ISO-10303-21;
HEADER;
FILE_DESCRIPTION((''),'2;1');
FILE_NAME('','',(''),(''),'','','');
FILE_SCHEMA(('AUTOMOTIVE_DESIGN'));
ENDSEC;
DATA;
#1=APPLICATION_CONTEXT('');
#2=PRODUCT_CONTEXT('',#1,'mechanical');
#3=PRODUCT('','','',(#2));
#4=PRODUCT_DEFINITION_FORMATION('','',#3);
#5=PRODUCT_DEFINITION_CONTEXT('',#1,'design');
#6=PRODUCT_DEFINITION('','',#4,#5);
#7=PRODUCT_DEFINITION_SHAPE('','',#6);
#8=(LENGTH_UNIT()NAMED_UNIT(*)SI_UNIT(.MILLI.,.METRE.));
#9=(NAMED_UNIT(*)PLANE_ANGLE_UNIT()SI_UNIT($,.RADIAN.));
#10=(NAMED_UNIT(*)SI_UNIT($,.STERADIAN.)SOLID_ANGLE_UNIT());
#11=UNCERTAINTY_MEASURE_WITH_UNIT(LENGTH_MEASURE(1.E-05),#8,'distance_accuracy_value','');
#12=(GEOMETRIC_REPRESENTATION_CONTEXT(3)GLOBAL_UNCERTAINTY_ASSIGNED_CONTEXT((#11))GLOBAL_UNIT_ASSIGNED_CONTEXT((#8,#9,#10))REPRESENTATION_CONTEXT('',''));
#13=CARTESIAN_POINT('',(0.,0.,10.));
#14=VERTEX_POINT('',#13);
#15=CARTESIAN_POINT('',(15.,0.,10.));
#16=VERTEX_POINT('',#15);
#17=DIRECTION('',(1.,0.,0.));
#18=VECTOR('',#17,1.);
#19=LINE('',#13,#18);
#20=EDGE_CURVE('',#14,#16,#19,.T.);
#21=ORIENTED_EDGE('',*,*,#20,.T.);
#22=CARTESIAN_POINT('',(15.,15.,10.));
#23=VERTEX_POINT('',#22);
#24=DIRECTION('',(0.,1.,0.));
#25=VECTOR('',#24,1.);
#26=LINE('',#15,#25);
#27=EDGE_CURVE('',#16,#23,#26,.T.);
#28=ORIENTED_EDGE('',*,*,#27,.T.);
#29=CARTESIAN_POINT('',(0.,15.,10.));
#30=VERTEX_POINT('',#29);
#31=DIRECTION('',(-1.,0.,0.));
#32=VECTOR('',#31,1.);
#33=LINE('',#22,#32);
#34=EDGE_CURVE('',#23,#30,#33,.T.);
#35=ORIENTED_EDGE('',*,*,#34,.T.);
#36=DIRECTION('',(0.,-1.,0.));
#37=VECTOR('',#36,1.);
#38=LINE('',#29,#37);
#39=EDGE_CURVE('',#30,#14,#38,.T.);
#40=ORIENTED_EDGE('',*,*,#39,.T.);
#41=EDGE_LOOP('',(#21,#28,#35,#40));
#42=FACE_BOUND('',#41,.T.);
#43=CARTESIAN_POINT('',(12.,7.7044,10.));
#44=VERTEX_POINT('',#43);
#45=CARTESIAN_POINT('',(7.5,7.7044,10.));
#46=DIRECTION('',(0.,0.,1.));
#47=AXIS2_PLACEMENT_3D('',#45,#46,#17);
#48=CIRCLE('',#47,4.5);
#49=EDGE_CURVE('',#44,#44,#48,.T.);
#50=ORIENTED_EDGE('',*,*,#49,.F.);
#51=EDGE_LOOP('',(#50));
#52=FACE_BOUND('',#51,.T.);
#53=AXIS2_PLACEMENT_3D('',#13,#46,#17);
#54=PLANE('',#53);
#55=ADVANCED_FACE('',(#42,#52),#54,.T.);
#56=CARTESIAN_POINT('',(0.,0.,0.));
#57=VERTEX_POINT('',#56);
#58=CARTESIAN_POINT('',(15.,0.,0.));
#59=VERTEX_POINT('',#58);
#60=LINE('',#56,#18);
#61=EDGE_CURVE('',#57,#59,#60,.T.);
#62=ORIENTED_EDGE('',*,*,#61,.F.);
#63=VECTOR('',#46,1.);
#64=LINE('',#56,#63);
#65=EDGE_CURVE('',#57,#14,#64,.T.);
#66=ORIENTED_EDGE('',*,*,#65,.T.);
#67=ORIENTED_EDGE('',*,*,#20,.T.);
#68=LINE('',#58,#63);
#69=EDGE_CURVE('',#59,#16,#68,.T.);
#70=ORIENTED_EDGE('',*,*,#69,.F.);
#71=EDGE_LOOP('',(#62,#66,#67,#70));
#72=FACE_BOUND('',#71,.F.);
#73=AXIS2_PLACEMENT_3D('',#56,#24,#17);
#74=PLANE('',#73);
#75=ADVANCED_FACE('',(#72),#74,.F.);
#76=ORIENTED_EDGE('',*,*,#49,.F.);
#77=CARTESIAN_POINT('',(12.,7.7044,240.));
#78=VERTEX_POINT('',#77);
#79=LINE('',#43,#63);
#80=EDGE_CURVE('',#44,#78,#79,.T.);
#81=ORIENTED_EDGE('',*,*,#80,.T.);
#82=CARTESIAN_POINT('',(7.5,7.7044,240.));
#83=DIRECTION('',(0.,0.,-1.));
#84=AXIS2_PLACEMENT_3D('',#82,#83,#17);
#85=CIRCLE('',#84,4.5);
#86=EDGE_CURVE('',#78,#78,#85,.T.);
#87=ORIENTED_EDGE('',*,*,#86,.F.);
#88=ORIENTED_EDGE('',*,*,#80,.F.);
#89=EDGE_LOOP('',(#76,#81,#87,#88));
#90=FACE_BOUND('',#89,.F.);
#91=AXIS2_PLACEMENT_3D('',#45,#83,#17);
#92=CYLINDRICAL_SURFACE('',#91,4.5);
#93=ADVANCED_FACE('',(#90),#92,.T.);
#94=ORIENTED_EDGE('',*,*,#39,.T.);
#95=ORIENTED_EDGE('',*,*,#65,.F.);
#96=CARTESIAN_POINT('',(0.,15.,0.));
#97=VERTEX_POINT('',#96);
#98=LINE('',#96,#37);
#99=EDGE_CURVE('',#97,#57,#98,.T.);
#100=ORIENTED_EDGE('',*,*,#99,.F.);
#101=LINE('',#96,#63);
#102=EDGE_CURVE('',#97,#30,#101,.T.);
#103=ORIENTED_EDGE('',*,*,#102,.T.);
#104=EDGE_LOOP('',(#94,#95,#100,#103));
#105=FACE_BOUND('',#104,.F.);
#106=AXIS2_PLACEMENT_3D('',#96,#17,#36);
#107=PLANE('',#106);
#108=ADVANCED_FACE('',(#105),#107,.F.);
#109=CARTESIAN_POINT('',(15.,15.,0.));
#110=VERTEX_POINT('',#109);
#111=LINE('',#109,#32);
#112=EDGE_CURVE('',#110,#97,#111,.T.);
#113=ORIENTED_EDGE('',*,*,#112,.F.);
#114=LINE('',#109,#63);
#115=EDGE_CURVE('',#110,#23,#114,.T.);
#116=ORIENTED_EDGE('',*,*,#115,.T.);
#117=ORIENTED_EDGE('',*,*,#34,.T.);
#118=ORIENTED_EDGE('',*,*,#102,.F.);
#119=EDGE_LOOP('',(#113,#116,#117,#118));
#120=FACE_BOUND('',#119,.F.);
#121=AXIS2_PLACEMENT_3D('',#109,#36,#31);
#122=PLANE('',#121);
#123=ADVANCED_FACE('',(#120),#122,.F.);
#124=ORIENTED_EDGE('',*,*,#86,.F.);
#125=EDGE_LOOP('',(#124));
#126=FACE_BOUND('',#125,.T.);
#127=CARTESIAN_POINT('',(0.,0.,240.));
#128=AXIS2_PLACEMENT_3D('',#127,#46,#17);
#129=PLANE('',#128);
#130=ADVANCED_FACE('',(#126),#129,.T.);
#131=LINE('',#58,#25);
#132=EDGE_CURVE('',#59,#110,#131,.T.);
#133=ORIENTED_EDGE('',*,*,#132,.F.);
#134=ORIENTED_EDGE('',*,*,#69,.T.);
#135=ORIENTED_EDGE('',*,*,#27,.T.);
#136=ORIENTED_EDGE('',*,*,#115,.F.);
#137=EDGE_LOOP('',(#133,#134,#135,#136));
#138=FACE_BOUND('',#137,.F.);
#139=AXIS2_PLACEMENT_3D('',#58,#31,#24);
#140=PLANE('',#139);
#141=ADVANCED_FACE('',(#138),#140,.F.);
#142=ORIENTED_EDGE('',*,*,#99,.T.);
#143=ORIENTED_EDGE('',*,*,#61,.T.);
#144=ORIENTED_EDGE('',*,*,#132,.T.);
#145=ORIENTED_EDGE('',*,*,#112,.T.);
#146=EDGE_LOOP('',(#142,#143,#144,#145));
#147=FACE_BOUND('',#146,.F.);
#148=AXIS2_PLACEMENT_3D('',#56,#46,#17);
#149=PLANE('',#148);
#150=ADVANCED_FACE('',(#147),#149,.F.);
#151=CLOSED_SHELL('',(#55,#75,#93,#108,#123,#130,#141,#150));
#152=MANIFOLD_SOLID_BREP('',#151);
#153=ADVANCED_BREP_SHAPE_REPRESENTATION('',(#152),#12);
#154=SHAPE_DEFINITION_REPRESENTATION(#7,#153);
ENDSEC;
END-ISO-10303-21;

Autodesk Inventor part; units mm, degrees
ref_plane "YZ Plane" through (0, 0, 0) normal (1, 0, 0) x (0, 1, 0)
ref_plane "XZ Plane" through (0, 0, 0) normal (0, 1, 0) x (-1, 0, 0)
sketch "Sketch1" plane through (0, 0, 0) normal (0, 0, 1) x (1, 0, 0)
  line L0 (0, 0) -> (15, 0)
  line L1 (15, 0) -> (15, 15)
  line L2 (15, 15) -> (0, 15)
  line L3 (0, 15) -> (0, 0)
  dimension "d0" = 15
  dimension "d1" = 15
extrude "Extrusion1" add sketch "Sketch1" along normal blind 10
sketch "Sketch2" plane through (0, 0, 10) normal (0, 0, 1) x (1, 0, 0)
  line L0 (15, 15) -> (0, 15) projected
  line L1 (0, 15) -> (7.5, 15)
  line L2 (7.5, 15) -> (7.5, 0.4087)
  line L3 (0, 15) -> (0, 0) projected
  line L4 (0, 7.7044) -> (14.7572, 7.5)
  circle A0 centre (7.5, 7.7044) radius 4.5
  dimension "d9" = 9
extrude "Extrusion2" add sketch "Sketch2" along normal blind 230 contours A0 L4 L2 | L2 L4 A0 | L4 A0 L2 | L2 A0 L4
thread "Thread1" size "M11x1.5" class "6g" standard "ANSI Metric M Profile" full length
thread "Thread2" size "M9x1.25" class "6g" standard "ANSI Metric M Profile" full length
sketch "Sketch3" plane through (0, 0, 0) normal (1, 0, 0) x (0, 1, 0)
  point P0 (0, 0)
ref_plane "Work Plane1" through (7.5, 7.7044, 240) normal (0, 0, 1) x (1, 0, 0)
sketch "Sketch4" plane through (7.5, 7.7044, 240) normal (0, 0, 1) x (1, 0, 0)
  point P0 (-7.5, -7.7044)
extrude "Extrusion3" [suppressed]
properties part number "23CM NUT"
